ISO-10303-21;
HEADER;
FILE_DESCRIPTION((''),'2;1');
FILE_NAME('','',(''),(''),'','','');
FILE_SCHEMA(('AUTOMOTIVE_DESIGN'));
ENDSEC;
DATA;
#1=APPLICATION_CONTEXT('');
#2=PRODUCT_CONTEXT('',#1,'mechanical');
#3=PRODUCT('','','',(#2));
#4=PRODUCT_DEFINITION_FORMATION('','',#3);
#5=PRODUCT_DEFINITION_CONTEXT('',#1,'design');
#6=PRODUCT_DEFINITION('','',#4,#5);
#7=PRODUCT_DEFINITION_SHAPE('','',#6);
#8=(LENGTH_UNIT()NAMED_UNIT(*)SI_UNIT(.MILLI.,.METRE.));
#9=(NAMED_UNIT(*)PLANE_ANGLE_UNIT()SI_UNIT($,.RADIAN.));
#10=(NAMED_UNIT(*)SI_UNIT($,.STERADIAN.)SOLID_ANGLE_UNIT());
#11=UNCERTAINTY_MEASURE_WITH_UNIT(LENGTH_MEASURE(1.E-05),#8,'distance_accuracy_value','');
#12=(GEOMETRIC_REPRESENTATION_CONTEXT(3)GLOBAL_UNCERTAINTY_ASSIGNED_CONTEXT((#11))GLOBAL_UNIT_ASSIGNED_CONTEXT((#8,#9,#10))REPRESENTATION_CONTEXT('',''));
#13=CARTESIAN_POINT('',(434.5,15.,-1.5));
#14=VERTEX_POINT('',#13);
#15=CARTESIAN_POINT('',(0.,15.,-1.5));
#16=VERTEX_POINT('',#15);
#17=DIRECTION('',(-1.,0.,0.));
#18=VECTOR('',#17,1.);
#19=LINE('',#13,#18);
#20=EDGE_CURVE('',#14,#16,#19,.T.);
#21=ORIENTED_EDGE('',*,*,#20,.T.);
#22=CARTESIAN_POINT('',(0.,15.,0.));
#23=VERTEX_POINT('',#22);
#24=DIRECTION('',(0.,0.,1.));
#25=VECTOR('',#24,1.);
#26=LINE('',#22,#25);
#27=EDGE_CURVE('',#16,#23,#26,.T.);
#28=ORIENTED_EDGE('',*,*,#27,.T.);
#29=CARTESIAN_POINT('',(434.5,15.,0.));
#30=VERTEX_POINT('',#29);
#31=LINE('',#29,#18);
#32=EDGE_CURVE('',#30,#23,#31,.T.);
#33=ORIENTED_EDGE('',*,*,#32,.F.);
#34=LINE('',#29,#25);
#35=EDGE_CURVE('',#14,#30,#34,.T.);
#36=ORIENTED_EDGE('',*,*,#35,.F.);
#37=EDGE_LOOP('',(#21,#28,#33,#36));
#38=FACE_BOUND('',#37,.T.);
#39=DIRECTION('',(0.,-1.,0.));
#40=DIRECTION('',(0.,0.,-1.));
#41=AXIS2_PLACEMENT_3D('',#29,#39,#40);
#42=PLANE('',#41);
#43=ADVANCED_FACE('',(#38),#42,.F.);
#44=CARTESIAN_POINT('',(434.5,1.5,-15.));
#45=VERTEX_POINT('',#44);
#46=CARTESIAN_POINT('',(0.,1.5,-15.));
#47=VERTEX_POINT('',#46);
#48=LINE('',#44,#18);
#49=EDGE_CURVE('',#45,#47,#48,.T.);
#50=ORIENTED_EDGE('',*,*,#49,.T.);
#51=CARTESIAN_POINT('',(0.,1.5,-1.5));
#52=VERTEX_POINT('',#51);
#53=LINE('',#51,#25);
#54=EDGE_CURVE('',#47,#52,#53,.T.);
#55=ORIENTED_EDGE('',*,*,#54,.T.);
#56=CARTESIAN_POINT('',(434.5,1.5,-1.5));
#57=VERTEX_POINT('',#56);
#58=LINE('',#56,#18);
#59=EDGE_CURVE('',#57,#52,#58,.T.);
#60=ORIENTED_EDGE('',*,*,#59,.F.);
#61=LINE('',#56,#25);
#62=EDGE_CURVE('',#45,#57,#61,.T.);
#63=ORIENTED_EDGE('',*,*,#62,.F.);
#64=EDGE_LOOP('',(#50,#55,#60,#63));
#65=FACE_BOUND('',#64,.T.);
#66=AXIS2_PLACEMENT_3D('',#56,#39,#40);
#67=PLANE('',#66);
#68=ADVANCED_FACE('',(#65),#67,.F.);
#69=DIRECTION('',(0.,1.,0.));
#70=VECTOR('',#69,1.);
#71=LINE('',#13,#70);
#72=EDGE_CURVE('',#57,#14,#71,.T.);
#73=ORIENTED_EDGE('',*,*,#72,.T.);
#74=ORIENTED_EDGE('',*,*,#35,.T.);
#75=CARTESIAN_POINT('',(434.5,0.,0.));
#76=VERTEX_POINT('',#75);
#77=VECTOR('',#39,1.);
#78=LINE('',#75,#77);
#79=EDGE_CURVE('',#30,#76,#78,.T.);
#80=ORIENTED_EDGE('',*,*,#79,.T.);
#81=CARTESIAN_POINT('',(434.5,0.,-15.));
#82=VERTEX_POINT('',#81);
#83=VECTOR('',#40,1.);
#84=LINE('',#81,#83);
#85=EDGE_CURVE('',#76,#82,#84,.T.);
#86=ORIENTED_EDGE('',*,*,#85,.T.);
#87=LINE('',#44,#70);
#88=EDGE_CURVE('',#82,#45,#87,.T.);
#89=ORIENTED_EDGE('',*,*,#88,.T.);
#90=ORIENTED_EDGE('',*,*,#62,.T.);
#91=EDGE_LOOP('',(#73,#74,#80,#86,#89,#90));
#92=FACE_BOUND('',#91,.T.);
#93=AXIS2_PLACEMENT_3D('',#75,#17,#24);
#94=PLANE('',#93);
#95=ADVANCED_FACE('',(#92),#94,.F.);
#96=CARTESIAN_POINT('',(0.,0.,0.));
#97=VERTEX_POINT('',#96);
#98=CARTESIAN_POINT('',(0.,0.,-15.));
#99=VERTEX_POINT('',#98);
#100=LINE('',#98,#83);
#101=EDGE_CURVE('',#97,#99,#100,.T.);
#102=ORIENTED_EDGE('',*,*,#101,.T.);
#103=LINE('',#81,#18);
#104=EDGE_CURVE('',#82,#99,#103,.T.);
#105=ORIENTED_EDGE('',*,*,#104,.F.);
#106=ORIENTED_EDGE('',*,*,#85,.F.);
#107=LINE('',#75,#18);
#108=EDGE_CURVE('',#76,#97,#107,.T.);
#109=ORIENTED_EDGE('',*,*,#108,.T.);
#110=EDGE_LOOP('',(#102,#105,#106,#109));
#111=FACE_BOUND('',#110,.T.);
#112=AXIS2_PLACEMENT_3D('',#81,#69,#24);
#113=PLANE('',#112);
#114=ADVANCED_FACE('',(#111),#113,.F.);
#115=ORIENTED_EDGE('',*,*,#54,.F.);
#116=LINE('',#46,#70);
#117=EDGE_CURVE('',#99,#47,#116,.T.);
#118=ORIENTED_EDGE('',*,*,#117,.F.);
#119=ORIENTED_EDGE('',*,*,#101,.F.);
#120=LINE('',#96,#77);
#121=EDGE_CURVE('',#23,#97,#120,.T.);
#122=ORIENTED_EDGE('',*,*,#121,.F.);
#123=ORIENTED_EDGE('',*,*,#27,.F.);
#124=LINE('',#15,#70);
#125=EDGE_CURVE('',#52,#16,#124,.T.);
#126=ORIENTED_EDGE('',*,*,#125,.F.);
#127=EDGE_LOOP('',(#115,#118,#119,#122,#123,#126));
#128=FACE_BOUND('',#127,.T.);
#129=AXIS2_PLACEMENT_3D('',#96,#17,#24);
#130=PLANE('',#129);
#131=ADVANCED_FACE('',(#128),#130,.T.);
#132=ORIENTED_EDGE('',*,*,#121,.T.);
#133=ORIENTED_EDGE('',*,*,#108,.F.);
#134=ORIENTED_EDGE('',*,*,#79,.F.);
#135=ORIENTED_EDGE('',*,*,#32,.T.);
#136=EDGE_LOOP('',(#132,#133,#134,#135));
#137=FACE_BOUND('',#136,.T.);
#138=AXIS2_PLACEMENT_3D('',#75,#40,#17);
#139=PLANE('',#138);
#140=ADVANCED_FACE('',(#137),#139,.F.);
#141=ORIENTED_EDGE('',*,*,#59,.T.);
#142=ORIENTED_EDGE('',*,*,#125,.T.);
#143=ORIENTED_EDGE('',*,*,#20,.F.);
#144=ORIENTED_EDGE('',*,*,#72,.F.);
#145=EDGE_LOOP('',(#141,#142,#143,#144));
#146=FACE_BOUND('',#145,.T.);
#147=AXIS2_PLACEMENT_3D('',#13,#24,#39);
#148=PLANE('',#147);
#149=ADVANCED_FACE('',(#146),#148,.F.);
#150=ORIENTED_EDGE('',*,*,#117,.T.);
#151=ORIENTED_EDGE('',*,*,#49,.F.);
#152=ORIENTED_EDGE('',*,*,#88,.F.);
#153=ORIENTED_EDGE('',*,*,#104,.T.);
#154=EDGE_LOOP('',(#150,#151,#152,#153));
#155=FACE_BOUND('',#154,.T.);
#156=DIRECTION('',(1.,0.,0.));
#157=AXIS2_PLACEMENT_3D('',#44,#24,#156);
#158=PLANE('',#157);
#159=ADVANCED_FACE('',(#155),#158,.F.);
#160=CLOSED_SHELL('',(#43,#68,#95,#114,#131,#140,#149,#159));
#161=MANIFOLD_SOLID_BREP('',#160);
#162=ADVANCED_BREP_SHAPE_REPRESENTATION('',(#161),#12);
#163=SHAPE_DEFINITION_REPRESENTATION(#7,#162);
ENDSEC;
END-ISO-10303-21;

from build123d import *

# Parameters (mm, degrees)
EXTRUDE_1_DEPTH = 434.5


with BuildPart() as part:
    # Эскиз1 → Бобышка-Вытянуть1 (new body)
    with BuildSketch(Plane(origin=(0, 0, 0), x_dir=(0, 0, -1), z_dir=(1, 0, 0))):
        Polygon((0, 0), (0, 15), (1.5, 15), (1.5, 1.5), (15, 1.5), (15, 0), align=None)
    extrude(amount=EXTRUDE_1_DEPTH)


solid = part.part
